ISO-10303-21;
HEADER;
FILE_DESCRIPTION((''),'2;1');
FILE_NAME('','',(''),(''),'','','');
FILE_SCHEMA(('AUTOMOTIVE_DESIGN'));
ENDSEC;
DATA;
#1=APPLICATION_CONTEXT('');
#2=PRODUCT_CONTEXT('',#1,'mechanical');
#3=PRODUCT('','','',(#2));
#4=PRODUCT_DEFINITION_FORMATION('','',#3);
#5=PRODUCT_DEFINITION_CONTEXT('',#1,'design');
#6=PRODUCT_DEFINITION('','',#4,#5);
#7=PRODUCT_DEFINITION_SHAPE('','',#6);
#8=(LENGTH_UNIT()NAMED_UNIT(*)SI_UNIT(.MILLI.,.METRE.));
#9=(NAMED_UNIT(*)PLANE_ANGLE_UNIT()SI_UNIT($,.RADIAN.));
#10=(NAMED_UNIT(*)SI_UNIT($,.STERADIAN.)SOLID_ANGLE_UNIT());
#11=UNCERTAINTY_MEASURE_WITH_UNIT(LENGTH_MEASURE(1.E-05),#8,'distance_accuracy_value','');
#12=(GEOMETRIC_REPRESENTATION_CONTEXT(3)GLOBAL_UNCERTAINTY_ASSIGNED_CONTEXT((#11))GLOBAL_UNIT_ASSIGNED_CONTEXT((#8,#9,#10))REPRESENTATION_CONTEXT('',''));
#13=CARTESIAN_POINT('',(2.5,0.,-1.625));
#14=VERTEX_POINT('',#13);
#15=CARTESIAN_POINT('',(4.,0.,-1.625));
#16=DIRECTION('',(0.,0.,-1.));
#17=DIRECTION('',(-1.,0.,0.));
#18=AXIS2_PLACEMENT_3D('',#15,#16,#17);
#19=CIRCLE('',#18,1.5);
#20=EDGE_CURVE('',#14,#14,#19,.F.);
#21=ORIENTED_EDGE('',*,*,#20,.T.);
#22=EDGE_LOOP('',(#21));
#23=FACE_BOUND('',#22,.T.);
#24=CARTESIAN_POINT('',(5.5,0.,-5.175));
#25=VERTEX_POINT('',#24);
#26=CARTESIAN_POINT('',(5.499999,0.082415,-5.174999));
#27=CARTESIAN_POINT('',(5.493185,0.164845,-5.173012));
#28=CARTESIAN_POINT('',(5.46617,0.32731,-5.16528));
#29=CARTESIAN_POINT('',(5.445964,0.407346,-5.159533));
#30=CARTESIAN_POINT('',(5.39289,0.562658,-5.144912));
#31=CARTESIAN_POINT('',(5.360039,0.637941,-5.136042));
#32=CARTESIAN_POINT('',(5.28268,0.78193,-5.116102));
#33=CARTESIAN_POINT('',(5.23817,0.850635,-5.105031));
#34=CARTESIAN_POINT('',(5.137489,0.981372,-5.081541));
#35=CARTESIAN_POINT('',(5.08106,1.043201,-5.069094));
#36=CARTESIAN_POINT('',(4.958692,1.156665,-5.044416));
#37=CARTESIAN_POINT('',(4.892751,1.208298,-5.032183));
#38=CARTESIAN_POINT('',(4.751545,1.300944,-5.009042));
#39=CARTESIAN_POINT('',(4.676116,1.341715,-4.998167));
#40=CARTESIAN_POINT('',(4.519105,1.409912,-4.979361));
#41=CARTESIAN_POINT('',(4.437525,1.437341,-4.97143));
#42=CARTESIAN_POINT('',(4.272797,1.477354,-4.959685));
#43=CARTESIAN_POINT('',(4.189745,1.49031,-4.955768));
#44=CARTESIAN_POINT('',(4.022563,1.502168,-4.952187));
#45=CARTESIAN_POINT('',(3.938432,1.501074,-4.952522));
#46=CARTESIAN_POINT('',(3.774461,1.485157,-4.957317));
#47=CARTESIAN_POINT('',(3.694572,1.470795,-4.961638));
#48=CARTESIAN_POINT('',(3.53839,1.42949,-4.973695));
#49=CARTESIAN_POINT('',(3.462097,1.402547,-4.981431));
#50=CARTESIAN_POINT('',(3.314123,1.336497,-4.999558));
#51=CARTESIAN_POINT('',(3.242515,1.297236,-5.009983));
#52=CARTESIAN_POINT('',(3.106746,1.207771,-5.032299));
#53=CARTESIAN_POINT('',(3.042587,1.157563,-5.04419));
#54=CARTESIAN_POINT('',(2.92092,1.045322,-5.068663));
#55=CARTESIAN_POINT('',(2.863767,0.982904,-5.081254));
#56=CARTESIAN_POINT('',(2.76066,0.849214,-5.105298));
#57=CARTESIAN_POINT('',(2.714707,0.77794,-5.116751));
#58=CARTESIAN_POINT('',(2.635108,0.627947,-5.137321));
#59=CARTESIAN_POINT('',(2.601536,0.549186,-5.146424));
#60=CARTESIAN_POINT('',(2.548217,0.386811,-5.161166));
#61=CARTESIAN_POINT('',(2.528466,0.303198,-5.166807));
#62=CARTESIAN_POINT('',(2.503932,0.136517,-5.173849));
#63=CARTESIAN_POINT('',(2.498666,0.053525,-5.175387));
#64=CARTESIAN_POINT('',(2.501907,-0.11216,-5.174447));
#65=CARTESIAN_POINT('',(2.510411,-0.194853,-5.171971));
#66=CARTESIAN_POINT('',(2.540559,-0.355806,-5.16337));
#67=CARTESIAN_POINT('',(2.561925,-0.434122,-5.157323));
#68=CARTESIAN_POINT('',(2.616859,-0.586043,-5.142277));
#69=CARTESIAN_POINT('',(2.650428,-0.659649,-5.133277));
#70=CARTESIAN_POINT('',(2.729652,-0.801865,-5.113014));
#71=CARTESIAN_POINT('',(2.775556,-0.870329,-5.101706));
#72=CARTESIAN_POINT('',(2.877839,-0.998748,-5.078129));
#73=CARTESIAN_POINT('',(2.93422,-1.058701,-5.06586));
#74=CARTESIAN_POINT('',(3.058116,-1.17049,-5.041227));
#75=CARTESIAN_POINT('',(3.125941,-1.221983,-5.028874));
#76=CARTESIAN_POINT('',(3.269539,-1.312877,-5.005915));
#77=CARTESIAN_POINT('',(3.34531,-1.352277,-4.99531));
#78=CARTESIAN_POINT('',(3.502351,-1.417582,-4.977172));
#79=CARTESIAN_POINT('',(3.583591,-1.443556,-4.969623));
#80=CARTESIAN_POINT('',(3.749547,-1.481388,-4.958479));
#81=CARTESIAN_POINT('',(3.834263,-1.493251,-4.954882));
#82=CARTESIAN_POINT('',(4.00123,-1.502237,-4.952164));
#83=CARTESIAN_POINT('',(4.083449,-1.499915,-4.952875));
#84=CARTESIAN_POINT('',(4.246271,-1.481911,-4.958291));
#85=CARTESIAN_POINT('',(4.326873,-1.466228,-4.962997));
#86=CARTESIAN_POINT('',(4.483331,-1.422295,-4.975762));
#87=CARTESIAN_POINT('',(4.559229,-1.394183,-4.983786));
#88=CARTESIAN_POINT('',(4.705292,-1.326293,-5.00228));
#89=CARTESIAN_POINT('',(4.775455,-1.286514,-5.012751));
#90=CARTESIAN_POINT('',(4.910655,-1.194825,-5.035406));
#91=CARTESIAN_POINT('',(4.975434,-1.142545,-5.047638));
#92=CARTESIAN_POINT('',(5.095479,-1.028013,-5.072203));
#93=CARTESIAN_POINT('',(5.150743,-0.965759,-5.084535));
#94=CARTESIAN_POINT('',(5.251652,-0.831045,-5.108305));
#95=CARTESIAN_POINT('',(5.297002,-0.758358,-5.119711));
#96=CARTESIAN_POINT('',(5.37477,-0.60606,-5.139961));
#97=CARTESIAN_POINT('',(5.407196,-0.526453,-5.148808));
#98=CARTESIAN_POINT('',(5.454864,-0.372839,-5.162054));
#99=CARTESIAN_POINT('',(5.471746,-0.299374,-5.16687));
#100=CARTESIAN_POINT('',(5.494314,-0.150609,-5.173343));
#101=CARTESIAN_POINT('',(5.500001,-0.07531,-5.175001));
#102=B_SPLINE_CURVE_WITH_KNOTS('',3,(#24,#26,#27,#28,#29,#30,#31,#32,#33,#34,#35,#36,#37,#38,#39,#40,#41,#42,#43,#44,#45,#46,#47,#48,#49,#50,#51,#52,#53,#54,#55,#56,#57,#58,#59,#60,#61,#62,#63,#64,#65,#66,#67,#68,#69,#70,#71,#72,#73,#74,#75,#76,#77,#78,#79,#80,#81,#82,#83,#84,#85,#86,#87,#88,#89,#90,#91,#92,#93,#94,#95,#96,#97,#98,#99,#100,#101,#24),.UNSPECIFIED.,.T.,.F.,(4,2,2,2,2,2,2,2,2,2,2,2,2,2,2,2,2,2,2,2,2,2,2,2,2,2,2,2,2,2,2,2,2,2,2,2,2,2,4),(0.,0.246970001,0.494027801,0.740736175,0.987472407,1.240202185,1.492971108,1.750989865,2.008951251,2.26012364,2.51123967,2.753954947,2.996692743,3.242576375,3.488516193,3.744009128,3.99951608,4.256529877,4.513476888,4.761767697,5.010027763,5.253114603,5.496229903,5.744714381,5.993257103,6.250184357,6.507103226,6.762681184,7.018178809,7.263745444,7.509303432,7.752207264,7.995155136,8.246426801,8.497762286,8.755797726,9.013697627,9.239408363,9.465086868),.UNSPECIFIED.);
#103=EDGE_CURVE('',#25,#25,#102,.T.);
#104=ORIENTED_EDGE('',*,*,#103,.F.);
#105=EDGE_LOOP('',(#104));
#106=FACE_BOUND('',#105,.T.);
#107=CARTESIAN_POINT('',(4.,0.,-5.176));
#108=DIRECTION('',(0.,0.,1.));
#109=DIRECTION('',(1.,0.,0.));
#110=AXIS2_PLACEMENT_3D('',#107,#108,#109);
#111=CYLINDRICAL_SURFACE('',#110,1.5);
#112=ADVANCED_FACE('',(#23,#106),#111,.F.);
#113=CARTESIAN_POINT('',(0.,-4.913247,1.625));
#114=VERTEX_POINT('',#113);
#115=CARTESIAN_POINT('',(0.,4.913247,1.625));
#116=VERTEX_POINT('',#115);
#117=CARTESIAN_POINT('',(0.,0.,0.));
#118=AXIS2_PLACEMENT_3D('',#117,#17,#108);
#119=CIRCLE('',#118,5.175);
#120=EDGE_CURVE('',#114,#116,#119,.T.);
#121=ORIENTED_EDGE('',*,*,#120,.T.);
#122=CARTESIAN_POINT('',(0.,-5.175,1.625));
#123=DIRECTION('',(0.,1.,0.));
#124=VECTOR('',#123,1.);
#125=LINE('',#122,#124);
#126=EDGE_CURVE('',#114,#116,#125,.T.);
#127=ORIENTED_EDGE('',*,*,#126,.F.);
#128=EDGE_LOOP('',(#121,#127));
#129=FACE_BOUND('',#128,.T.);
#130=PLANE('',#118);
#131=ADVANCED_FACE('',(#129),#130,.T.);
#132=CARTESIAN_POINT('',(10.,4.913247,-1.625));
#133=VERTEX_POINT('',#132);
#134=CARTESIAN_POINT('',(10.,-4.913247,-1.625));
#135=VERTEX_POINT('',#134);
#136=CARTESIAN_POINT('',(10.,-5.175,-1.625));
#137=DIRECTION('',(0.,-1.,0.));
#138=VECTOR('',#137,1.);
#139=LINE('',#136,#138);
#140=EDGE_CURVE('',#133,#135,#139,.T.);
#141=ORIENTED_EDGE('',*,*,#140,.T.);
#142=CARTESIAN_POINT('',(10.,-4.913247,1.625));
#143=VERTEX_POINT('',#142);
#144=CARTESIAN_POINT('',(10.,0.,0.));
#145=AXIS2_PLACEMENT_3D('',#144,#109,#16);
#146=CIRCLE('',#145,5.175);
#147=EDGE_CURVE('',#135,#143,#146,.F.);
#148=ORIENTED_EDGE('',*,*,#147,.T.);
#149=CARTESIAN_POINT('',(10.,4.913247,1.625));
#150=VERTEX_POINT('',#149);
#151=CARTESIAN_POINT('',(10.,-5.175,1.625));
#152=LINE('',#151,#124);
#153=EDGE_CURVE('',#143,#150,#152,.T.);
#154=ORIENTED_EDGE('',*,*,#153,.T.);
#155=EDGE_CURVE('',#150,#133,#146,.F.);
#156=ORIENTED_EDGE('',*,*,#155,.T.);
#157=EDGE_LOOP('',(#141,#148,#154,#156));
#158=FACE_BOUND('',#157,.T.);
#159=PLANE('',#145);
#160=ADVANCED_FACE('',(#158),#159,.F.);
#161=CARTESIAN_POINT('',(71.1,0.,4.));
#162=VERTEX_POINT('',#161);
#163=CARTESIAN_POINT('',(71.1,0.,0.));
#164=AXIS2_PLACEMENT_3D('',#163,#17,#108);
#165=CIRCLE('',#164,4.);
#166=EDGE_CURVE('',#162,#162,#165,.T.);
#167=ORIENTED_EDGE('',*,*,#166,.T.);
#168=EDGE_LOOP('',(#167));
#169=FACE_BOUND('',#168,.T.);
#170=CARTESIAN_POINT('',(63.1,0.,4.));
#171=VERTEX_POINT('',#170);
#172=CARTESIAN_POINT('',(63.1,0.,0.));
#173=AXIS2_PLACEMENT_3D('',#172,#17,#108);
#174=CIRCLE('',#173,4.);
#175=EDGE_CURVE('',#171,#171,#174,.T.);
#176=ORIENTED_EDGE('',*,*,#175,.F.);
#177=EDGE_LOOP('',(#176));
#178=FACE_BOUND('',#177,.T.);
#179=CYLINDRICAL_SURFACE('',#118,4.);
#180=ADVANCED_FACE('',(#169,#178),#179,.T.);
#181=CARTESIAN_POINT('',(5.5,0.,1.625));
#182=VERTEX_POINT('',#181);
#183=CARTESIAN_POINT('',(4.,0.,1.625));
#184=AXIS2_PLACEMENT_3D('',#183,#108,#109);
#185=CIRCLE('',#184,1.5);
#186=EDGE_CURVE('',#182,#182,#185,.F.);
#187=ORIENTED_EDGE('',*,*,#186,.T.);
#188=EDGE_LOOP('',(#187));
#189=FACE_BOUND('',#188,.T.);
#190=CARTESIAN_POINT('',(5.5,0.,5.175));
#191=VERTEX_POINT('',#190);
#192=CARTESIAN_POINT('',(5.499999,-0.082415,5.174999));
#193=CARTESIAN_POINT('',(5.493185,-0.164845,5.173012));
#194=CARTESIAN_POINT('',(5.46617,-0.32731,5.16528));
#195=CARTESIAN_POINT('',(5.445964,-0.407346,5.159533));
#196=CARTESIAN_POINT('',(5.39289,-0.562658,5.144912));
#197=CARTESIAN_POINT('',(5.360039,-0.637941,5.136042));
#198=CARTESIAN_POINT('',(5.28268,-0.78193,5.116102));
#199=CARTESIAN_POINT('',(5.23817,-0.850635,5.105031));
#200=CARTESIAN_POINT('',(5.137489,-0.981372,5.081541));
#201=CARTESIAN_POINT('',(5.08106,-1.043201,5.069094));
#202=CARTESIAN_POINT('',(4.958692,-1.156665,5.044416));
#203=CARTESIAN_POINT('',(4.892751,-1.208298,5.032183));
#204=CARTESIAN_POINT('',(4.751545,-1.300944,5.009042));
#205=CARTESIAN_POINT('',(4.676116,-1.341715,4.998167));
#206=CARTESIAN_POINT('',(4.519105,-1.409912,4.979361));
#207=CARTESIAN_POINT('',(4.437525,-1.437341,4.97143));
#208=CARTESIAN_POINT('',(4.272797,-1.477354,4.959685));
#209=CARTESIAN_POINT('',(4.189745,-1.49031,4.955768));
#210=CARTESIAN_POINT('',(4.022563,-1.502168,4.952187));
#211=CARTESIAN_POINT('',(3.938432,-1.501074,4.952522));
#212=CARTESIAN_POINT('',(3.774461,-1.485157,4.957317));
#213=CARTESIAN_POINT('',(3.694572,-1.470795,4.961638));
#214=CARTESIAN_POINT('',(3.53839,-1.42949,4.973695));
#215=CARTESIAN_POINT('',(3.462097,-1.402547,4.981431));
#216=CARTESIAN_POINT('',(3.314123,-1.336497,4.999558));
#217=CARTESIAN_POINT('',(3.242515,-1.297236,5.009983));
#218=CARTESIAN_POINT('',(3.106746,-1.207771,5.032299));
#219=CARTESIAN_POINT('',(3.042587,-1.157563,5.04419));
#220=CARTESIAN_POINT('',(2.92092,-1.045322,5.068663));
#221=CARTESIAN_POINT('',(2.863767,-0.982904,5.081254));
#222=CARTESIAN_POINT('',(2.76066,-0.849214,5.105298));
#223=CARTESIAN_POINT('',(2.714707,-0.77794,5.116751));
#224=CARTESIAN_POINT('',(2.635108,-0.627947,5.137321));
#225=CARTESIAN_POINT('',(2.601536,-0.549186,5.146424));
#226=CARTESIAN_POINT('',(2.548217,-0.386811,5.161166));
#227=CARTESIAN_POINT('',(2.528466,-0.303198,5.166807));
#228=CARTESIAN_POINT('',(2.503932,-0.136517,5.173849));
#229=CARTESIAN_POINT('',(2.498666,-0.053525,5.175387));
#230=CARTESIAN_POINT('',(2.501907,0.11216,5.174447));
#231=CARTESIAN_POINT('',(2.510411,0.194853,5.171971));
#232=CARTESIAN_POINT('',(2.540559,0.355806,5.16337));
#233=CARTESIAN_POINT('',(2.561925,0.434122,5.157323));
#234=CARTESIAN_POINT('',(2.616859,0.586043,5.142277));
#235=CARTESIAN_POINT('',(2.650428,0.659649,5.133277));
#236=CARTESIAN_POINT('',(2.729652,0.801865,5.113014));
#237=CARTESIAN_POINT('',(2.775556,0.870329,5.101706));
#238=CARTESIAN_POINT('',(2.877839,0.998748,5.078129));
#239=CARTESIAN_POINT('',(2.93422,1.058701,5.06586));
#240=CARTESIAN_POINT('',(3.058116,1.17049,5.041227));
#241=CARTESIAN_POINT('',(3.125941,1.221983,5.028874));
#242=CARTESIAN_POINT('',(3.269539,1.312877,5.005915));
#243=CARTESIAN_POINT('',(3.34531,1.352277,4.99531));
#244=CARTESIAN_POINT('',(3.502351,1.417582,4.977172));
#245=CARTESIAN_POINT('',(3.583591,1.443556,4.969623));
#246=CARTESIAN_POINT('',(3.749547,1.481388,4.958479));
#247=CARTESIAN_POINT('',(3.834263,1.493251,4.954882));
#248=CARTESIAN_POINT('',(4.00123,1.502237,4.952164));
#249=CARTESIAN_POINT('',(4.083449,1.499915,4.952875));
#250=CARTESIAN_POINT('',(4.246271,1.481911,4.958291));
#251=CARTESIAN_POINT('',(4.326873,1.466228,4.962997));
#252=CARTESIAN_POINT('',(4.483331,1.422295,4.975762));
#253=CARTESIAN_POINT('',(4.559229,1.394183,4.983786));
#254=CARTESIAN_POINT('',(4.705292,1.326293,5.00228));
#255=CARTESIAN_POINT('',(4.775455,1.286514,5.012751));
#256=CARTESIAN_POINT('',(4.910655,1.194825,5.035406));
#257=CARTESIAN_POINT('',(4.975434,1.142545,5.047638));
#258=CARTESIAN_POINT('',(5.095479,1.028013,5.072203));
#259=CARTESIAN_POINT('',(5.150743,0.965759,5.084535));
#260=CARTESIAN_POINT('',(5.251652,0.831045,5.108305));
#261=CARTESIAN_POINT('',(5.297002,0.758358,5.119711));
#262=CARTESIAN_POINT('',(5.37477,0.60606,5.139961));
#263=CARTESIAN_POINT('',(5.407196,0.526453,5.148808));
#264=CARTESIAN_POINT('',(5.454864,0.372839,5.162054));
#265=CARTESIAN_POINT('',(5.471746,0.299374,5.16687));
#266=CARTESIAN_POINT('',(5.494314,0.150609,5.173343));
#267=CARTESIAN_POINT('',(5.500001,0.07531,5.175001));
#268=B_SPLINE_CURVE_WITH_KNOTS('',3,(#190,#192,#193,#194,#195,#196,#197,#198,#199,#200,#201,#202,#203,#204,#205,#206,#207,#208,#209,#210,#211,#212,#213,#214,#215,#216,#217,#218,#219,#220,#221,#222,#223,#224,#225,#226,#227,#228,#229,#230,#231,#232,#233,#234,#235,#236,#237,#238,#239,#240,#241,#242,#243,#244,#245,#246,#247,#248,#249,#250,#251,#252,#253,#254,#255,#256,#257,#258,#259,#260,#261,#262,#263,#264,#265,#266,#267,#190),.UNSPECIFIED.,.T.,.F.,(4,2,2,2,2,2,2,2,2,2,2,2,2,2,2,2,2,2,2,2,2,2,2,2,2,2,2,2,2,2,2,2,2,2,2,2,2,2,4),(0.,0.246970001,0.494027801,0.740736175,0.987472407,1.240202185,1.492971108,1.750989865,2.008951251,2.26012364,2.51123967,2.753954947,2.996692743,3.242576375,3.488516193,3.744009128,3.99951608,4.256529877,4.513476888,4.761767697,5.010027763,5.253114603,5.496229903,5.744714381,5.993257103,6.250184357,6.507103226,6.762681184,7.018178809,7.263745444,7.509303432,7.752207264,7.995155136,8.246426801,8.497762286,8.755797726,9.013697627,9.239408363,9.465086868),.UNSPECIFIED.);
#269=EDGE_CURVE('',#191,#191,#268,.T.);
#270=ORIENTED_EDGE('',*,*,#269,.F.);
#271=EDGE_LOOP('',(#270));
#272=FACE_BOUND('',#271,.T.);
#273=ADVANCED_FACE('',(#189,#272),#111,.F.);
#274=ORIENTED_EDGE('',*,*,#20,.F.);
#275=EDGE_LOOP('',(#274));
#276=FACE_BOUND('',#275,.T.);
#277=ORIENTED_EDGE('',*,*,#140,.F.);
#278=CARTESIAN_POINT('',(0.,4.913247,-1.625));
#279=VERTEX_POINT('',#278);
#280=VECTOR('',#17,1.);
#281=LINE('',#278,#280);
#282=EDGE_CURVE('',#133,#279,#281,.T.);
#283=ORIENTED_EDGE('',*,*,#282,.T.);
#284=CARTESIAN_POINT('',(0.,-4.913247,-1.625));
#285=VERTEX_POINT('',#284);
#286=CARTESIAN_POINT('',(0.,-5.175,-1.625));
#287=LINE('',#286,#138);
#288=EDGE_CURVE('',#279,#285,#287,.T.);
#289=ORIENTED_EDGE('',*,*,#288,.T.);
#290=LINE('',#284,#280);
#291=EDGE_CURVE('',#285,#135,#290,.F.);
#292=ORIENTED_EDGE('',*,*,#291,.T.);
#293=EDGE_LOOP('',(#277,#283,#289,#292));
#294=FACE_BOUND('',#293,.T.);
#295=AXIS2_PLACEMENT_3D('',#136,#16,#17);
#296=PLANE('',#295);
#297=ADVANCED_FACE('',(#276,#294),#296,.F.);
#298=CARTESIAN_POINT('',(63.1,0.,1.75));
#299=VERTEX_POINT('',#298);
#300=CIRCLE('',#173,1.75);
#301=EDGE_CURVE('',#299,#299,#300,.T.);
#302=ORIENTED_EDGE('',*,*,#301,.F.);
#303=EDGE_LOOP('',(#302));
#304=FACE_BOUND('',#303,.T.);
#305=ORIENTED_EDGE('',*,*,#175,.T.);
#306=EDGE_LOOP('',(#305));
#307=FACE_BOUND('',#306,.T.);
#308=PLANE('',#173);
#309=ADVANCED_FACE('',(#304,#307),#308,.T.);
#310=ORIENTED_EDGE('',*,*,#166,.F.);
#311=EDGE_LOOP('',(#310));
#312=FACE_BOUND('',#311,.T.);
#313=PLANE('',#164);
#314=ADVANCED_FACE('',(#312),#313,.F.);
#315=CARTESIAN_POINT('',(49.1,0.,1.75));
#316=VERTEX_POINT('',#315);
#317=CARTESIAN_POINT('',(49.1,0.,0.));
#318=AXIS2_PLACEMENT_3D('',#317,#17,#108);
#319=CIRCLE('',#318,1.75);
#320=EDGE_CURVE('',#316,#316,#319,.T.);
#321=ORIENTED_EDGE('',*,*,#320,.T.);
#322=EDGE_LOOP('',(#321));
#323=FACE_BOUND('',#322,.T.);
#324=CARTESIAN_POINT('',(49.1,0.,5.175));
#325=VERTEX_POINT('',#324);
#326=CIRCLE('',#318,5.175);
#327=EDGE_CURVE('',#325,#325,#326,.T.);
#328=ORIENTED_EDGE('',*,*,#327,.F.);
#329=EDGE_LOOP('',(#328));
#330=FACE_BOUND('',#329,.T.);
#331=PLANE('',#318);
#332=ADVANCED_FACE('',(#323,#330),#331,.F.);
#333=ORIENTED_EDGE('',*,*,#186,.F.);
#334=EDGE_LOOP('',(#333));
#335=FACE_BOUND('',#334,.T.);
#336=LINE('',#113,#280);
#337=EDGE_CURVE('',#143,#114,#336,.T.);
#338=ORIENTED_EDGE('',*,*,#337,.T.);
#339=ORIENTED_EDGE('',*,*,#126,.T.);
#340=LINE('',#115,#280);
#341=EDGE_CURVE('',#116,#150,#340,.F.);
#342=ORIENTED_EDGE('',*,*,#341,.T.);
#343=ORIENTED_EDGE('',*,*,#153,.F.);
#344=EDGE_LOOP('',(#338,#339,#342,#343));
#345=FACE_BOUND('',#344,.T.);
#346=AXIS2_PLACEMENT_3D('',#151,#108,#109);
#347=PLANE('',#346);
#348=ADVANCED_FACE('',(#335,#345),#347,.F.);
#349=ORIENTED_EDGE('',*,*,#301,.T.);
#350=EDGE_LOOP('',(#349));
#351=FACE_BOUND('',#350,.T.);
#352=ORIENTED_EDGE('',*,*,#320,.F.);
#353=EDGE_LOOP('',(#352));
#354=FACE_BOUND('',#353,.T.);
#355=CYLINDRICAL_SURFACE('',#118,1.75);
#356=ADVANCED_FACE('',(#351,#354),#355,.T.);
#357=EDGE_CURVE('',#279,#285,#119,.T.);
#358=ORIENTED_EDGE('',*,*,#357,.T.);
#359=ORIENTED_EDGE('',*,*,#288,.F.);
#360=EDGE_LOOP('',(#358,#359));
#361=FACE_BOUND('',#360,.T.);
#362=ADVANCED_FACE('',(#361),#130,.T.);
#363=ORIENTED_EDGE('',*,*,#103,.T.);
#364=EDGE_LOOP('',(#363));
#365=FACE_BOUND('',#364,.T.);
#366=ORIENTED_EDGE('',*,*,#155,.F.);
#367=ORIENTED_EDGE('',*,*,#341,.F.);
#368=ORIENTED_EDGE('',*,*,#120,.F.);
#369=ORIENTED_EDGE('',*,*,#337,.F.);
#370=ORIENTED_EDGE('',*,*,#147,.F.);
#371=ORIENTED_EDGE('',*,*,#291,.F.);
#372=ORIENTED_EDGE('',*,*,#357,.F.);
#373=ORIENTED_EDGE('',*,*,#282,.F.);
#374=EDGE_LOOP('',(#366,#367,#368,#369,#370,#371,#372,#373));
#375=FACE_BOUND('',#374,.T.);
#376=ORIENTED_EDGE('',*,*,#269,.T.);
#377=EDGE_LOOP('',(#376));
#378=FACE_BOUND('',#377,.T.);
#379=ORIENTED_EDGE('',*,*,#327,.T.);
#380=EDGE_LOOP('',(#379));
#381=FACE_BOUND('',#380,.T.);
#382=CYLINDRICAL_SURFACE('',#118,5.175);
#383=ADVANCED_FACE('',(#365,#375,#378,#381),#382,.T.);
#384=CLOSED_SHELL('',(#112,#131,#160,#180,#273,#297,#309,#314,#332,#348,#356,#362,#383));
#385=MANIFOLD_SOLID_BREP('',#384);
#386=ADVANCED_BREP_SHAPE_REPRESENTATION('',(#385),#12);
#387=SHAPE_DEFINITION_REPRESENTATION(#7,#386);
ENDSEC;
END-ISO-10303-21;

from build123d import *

# Parameters (mm, degrees)
SKETCH1_W          = 14
SKETCH1_H          = 1.75
CUT_EXTRUDE1_REACH = 12.35
SKETCH2_R          = 1.5
SKETCH3_W          = 3.25
SKETCH3_H          = 10.35
CUT_EXTRUDE2_DEPTH = 10


with BuildPart() as part:
    # Sketch1 → Revolve1 (revolve)
    with BuildSketch(Plane.XY):
        Polygon((0, 5.175), (0, 0), (49.1, 0), (49.1, 1.75), (49.1, 5.175), align=None)
        with Locations((56.1, 0.875)):
            Rectangle(SKETCH1_W, SKETCH1_H)
        Polygon((63.1, 1.75), (63.1, 0), (71.1, 0), (71.1, 4), (63.1, 4), align=None)
    revolve(axis=Axis((0, 0, 0), (1, 0, 0)))

    # Sketch2 → Cut-Extrude1 (cut, up to next)
    with BuildSketch(Plane.XY.offset(5.175), mode=Mode.PRIVATE) as cut_extrude1_sk1:
        with Locations((4, 0)):
            Circle(SKETCH2_R)
    cut_extrude1_tool1 = extrude(cut_extrude1_sk1.sketch, amount=-CUT_EXTRUDE1_REACH, mode=Mode.PRIVATE) & part.part
    add(cut_extrude1_tool1.solids().sort_by_distance((4, 0, 5.175))[0], mode=Mode.SUBTRACT)

    # Sketch3 → Cut-Extrude2 (cut)
    with BuildSketch(Plane.ZY):
        Rectangle(SKETCH3_W, SKETCH3_H)
    extrude(amount=-CUT_EXTRUDE2_DEPTH, mode=Mode.SUBTRACT)


solid = part.part
